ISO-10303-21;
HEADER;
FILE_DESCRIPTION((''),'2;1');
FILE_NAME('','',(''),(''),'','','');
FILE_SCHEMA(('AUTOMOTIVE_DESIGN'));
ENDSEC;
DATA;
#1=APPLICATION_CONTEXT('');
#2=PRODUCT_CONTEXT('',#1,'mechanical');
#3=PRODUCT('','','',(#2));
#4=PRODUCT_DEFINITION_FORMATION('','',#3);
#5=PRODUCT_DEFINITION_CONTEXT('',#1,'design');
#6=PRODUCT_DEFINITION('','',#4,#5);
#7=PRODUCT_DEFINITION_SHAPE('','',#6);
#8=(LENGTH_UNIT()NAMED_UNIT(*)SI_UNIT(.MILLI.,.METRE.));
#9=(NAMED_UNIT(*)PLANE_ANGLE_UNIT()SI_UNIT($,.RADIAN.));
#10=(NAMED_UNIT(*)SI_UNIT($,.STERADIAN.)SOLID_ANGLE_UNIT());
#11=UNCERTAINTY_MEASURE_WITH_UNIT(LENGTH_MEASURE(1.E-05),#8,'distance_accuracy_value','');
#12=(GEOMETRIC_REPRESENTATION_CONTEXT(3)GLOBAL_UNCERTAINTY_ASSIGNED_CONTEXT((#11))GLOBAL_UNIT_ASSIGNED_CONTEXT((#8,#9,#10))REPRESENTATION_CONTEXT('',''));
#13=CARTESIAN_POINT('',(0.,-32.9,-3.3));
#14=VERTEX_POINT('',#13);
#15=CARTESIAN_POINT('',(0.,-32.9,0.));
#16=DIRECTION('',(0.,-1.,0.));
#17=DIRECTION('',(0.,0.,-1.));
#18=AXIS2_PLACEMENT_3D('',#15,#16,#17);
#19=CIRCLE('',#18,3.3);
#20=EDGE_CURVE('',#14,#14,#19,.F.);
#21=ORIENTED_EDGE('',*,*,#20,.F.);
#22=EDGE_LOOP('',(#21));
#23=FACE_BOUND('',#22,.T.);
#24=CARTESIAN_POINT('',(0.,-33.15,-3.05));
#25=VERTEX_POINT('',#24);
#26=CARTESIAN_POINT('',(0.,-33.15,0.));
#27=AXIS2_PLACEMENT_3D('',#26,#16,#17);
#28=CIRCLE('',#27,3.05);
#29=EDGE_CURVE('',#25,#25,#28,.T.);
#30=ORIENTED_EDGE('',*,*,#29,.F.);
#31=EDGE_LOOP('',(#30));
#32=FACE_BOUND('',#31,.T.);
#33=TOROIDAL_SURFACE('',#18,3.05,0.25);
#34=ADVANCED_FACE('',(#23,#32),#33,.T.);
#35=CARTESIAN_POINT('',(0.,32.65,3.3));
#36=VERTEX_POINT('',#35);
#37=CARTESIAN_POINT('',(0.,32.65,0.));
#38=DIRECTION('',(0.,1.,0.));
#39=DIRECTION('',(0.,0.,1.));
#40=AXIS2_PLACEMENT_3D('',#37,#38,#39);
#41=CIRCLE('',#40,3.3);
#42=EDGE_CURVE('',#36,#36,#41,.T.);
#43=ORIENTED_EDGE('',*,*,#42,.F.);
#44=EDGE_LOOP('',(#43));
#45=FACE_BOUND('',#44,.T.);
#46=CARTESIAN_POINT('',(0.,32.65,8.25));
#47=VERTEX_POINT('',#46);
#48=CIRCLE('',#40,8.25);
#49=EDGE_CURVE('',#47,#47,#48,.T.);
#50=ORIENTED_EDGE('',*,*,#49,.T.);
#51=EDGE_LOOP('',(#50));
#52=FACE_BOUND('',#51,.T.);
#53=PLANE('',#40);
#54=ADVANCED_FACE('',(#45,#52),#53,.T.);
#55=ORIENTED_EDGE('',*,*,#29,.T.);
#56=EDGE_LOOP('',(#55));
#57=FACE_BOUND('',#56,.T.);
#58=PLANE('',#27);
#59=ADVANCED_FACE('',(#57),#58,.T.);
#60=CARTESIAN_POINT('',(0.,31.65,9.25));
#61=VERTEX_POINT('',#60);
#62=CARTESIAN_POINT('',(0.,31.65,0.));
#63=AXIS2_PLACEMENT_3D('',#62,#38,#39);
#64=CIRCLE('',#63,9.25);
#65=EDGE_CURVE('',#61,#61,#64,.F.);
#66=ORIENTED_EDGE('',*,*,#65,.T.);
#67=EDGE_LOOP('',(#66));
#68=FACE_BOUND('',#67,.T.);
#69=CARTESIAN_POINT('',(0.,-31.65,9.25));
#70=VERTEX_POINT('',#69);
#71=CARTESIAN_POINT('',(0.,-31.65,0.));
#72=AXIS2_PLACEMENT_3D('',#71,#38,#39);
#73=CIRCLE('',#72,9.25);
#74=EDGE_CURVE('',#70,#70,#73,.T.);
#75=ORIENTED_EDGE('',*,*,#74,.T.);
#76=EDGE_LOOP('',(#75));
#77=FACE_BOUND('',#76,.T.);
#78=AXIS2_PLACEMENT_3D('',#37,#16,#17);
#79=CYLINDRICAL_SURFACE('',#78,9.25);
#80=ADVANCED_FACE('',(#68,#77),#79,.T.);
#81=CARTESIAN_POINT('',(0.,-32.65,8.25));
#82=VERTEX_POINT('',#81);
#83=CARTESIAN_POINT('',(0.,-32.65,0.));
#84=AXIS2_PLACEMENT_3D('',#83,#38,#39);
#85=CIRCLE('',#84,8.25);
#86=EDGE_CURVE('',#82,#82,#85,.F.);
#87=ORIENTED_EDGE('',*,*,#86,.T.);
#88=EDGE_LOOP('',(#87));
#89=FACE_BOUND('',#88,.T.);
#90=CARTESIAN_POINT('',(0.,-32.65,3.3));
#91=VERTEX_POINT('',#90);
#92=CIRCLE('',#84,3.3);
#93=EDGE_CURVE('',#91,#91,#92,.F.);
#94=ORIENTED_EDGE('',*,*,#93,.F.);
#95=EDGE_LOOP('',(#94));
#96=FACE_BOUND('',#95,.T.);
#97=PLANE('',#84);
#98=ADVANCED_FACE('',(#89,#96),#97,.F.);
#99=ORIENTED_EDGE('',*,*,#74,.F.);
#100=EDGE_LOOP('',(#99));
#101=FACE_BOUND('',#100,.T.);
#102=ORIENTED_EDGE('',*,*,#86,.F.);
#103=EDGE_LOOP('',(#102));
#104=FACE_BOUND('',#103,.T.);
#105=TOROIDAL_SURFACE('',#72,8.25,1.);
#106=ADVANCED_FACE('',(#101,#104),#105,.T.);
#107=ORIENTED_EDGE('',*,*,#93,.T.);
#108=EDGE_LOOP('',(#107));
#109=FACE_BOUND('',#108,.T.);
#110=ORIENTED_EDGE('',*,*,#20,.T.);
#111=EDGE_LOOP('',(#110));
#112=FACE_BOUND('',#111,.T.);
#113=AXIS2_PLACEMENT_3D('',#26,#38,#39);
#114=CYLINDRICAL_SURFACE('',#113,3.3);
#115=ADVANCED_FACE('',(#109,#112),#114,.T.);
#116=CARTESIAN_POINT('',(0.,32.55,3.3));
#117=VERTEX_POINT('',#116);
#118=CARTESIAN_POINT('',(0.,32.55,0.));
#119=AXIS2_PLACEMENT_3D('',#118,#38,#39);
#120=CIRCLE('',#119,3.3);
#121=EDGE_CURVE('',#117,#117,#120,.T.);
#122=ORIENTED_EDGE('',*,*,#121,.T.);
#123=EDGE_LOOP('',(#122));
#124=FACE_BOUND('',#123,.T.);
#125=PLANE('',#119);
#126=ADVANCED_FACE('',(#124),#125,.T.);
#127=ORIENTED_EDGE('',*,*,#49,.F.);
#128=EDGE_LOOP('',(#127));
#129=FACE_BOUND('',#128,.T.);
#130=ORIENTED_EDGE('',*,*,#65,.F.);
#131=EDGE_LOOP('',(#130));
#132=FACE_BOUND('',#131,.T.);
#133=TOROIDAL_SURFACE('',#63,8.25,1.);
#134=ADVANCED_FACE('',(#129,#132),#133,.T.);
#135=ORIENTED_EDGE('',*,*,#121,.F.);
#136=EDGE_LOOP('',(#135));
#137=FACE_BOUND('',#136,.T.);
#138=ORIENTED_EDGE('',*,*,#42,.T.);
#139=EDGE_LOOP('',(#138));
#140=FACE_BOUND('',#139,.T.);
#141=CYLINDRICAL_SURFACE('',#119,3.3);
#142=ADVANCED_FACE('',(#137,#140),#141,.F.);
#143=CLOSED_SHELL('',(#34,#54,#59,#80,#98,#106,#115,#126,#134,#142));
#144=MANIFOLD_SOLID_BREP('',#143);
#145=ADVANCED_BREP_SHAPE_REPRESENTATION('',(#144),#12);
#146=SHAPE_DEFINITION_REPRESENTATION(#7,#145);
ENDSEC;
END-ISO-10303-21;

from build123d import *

# Parameters (mm, degrees)
SKETCH2_R           = 9.25
BOSS_EXTRUDE1_DEPTH = 32.65
FILLET1_R           = 1
SKETCH3_R           = 3.3
CUT_EXTRUDE1_DEPTH  = 0.1
SKETCH4_R           = 3.3
BOSS_EXTRUDE2_DEPTH = 0.5
FILLET2_R           = 0.25


with BuildPart() as part:
    # Sketch2 → Boss-Extrude1 (new body, symmetric)
    with BuildSketch(Plane(origin=(0, 0, 0), x_dir=(1, 0, 0), z_dir=(0, 1, 0))):
        Circle(SKETCH2_R)
    extrude(amount=BOSS_EXTRUDE1_DEPTH, both=True)

    # Fillet1
    fillet1_edges = [part.edges().sort_by_distance(p)[0] for p in [
        (-9.25, -32.65, 0),
        (-9.25, 32.65, 0),
    ]]
    fillet(fillet1_edges, radius=FILLET1_R)

    # Sketch3 → Cut-Extrude1 (cut)
    with BuildSketch(Plane(origin=(0, 32.65, 0), x_dir=(1, 0, 0), z_dir=(0, 1, 0))):
        Circle(SKETCH3_R)
    extrude(amount=-CUT_EXTRUDE1_DEPTH, mode=Mode.SUBTRACT)

    # Sketch4 → Boss-Extrude2 (add)
    with BuildSketch(Plane.XZ.offset(32.65)):
        Circle(SKETCH4_R)
    extrude(amount=BOSS_EXTRUDE2_DEPTH)

    # Fillet2
    fillet2_edges = [part.edges().sort_by_distance(p)[0] for p in [
        (-3.3, -33.15, 0),
    ]]
    fillet(fillet2_edges, radius=FILLET2_R)


solid = part.part
